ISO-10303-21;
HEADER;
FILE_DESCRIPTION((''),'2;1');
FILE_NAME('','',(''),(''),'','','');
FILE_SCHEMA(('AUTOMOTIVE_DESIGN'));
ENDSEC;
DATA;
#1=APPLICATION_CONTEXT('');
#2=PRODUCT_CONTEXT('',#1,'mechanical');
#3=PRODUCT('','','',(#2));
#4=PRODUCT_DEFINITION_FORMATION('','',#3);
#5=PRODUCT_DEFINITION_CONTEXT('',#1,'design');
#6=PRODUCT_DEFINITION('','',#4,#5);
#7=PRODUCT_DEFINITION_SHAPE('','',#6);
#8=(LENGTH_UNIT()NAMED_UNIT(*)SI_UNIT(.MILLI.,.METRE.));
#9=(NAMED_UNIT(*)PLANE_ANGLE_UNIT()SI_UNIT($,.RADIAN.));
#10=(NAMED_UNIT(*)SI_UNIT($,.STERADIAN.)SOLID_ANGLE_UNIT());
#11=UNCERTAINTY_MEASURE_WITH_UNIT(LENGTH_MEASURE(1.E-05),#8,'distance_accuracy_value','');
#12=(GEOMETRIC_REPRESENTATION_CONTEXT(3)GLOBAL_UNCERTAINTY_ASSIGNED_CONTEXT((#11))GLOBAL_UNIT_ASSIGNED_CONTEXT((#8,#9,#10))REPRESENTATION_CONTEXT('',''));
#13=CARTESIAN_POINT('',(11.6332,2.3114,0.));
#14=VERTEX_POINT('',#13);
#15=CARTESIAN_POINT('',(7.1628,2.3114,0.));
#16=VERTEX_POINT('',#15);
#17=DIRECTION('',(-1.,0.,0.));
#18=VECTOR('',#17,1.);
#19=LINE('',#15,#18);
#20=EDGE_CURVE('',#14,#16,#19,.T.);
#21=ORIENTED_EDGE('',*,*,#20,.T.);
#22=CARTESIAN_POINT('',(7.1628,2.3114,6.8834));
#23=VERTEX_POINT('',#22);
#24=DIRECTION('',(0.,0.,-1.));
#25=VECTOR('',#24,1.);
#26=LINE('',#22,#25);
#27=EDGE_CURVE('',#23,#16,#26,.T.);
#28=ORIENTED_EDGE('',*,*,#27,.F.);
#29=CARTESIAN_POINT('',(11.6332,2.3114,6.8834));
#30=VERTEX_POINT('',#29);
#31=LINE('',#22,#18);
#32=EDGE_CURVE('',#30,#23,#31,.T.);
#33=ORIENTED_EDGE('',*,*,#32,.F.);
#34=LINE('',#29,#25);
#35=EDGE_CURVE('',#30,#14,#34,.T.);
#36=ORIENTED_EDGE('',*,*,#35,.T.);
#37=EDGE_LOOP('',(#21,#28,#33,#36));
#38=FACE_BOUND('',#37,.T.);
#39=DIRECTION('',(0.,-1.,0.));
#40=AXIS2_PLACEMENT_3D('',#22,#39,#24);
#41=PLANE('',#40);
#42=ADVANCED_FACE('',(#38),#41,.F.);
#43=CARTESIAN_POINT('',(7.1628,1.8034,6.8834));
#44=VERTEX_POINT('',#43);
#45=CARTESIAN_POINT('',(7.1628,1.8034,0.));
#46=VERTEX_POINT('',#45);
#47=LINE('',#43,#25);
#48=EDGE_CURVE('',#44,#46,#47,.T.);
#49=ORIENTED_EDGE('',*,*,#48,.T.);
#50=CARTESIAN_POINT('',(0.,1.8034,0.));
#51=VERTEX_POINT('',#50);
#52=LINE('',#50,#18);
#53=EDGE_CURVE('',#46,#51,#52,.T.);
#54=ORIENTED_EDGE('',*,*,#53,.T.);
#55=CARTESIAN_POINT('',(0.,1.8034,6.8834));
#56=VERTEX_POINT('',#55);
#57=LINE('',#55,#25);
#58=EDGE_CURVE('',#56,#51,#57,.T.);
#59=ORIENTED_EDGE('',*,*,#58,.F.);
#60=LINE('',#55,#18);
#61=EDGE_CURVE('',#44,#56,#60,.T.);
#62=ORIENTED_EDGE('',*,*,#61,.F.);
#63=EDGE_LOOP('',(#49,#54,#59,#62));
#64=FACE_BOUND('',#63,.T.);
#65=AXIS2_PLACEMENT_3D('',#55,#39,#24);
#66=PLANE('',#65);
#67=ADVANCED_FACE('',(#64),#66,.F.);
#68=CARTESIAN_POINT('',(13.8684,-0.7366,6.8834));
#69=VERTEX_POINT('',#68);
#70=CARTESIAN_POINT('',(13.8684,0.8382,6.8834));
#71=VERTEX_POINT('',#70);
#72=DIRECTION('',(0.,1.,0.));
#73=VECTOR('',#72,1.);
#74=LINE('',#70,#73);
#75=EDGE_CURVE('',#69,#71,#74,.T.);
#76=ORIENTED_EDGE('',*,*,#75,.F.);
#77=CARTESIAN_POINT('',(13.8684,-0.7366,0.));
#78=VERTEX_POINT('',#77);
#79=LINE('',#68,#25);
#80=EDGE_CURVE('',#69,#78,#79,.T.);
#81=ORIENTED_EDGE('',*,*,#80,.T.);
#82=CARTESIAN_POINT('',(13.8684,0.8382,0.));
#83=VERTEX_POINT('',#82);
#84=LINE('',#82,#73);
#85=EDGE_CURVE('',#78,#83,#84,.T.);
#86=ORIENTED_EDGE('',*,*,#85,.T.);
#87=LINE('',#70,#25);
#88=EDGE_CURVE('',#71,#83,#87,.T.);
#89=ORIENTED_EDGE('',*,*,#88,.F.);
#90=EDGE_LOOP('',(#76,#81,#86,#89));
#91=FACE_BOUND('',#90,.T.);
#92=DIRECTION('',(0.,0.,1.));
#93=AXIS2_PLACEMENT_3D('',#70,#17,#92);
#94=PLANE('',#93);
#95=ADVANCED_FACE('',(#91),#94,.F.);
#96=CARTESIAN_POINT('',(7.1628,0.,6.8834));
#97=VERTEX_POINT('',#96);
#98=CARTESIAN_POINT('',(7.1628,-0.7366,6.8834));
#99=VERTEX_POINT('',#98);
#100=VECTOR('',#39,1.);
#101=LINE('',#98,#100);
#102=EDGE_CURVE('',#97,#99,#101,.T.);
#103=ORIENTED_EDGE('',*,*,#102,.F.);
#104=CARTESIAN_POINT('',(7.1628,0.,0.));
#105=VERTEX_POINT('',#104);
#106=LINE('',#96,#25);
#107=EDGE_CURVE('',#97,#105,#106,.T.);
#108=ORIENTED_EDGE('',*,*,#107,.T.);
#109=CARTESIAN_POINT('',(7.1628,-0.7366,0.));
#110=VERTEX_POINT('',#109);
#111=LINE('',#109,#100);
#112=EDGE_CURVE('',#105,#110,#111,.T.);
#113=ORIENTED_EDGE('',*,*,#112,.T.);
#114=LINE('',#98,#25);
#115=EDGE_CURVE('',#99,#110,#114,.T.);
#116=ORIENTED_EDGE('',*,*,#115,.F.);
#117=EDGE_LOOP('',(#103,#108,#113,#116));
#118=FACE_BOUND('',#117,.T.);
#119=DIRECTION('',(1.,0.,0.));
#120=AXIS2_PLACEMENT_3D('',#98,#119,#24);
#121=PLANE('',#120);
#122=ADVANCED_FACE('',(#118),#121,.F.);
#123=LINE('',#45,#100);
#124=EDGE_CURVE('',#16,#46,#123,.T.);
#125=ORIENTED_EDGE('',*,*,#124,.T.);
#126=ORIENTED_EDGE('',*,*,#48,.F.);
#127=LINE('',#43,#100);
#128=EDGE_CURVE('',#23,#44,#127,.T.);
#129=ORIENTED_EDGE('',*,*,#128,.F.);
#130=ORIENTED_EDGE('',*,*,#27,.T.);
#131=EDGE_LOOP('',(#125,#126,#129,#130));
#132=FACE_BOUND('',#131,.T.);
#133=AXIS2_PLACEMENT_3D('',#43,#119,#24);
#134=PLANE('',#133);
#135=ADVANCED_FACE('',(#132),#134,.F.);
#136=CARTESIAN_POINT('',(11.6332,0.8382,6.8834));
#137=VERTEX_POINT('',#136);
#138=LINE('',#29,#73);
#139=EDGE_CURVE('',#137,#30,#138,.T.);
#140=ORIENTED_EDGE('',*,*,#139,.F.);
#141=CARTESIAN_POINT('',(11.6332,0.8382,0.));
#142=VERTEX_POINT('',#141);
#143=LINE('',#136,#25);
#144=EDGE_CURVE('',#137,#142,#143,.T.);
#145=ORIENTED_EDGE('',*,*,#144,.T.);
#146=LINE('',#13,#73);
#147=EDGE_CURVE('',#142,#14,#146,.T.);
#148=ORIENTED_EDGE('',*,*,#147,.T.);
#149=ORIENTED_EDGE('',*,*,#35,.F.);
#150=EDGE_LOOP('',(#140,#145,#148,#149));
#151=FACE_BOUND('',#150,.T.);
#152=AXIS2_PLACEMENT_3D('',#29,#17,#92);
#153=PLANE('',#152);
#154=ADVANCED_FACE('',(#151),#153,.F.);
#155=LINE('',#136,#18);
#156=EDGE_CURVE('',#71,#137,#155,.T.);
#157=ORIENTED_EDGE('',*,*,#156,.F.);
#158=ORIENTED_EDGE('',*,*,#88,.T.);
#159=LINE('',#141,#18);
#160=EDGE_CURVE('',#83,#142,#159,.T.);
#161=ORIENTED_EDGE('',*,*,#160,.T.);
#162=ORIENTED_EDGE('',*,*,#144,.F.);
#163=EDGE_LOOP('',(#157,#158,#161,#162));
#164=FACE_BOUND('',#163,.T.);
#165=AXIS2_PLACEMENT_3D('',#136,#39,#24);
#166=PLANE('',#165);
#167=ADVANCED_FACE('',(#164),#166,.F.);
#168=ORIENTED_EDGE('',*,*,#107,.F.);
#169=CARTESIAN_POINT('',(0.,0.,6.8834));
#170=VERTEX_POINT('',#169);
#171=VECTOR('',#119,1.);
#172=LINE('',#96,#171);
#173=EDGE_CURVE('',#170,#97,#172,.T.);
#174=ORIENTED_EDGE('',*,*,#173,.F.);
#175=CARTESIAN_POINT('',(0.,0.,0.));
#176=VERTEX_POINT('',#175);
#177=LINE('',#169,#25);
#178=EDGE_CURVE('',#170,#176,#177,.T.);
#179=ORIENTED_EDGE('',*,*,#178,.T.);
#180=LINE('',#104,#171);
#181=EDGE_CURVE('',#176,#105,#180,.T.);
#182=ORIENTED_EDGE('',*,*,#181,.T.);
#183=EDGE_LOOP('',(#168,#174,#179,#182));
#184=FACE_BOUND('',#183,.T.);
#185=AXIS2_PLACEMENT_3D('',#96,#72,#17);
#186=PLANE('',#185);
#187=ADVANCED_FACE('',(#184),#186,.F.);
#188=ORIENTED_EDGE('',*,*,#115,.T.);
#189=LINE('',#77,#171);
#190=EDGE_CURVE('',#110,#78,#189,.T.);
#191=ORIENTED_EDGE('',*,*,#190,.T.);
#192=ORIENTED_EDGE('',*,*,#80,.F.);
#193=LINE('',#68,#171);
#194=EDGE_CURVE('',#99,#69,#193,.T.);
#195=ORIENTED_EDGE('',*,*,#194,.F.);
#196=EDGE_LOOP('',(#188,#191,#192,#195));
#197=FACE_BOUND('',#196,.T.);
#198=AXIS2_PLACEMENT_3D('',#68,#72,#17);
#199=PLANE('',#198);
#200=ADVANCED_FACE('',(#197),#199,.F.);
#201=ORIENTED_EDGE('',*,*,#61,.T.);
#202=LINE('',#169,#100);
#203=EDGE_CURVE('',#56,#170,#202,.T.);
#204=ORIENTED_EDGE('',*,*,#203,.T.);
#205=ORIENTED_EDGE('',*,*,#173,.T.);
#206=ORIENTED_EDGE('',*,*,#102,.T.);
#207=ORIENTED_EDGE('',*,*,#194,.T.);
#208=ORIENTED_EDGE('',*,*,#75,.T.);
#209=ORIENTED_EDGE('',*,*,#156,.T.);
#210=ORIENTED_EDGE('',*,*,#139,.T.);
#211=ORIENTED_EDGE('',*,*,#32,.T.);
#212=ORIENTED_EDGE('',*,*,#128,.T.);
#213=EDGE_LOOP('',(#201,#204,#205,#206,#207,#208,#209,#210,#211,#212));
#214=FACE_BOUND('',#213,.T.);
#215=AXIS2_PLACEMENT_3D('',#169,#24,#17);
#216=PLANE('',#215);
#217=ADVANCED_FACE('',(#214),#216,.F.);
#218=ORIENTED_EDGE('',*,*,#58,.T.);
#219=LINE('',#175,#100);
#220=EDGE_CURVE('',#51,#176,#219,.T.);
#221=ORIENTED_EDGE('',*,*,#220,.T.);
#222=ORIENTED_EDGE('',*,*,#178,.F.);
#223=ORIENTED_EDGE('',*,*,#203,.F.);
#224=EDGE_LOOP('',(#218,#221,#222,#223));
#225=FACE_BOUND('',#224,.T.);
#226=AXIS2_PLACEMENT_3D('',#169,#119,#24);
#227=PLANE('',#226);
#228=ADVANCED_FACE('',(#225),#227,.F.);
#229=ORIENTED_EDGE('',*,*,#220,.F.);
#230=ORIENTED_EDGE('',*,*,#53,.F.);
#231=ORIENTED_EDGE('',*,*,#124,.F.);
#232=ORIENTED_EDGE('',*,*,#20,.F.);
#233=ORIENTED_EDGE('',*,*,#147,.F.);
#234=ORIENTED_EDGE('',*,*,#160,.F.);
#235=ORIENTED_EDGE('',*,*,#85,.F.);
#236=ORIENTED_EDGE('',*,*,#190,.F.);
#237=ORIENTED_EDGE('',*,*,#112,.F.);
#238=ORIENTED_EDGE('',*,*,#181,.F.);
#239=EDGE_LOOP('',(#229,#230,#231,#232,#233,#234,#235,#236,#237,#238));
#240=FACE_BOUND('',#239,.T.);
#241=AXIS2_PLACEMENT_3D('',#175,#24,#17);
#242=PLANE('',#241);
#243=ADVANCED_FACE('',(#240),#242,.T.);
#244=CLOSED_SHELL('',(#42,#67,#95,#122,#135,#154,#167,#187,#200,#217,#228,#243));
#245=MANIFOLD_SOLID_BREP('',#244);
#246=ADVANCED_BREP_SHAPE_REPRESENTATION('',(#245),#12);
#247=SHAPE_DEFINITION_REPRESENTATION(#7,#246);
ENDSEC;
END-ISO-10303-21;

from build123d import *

# Parameters (mm, degrees)
BOSS_EXTRUDE1_DEPTH = 6.8834


with BuildPart() as part:
    # Sketch1 → Boss-Extrude1 (new body)
    with BuildSketch(Plane.XY):
        Polygon((0, 0), (0, 1.8034), (7.1628, 1.8034), (7.1628, 2.3114), (11.6332, 2.3114), (11.6332, 0.8382), (13.8684, 0.8382), (13.8684, -0.7366), (7.1628, -0.7366), (7.1628, 0), align=None)
    extrude(amount=BOSS_EXTRUDE1_DEPTH)


solid = part.part
